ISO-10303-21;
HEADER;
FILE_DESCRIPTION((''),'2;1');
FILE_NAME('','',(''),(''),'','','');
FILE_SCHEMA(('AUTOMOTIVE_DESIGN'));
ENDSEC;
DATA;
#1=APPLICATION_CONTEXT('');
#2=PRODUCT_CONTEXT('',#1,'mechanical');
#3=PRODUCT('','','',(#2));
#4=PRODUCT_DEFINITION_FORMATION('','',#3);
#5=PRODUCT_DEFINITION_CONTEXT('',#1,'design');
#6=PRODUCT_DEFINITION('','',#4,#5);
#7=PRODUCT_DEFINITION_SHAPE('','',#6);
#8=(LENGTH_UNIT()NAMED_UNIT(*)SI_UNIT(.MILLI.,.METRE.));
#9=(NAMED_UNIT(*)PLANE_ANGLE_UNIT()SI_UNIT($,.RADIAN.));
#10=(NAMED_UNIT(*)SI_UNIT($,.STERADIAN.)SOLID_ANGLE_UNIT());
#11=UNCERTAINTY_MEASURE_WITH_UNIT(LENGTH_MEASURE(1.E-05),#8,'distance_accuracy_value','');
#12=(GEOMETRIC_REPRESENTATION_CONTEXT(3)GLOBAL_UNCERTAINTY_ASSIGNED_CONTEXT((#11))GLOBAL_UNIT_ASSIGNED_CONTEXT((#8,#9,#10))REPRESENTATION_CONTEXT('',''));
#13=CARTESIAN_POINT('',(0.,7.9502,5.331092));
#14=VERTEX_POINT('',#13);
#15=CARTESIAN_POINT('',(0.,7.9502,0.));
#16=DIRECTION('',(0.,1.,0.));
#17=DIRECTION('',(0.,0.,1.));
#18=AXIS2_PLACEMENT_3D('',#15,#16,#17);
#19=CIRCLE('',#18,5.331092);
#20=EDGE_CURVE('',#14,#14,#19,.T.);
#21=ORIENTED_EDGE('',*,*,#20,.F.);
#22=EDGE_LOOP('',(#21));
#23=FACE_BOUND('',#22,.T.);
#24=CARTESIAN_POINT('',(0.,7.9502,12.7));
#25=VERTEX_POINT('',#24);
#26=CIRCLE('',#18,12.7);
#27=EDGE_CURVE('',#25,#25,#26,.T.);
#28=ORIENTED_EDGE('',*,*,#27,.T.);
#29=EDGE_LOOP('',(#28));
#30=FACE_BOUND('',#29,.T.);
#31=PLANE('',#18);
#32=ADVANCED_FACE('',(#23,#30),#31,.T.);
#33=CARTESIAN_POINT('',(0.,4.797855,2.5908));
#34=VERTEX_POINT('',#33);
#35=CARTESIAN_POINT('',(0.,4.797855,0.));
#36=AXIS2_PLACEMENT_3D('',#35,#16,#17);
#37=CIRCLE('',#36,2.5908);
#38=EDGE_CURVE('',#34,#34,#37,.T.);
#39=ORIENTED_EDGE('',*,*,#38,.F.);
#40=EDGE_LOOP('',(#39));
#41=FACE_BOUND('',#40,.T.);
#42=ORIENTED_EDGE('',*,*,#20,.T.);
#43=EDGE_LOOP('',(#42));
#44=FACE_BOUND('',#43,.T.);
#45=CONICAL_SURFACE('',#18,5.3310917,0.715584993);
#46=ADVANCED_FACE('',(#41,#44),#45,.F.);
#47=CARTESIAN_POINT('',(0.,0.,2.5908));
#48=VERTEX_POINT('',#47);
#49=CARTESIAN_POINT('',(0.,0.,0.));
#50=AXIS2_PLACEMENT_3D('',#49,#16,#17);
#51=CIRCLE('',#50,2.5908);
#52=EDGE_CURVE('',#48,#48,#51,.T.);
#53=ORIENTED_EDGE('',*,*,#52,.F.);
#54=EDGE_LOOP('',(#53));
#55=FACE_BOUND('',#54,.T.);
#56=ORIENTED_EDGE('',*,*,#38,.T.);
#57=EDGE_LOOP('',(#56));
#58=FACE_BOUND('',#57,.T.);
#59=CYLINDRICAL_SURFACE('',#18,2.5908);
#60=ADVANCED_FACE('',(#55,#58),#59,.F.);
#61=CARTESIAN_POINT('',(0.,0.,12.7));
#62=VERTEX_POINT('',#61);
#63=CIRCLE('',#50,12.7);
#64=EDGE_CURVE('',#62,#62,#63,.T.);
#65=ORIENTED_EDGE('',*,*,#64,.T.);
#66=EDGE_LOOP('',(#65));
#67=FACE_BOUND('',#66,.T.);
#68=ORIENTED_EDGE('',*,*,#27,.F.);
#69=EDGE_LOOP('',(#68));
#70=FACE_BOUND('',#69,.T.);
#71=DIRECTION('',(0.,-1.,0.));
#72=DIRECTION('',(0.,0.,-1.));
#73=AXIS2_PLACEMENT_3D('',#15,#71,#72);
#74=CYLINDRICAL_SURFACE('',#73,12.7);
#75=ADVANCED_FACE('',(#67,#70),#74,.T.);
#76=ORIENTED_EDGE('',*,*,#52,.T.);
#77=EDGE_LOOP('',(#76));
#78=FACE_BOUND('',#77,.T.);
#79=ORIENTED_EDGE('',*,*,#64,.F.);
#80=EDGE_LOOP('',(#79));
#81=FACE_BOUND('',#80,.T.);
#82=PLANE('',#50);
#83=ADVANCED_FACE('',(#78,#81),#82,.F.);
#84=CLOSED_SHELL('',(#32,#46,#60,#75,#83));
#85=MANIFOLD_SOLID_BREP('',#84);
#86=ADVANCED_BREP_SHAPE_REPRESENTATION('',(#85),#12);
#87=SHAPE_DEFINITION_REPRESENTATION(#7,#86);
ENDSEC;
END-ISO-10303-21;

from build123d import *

# Parameters (mm, degrees)
SKETCH1_R                                          = 12.7
EXTRUDE1_DEPTH                                     = 7.9502
CSK_FOR_10_FLAT_HEAD_MACHINE_SCREW_100_D           = 5.1816
CSK_FOR_10_FLAT_HEAD_MACHINE_SCREW_100_CSINK_D     = 10.6621834
CSK_FOR_10_FLAT_HEAD_MACHINE_SCREW_100_CSINK_ANGLE = 82


with BuildPart() as part:
    # Sketch1 → Extrude1 (new body)
    with BuildSketch(Plane(origin=(0, 0, 0), x_dir=(1, 0, 0), z_dir=(0, 1, 0))):
        with Locations(Location((0, 0, 0), (0, 0, 270))):
            Circle(SKETCH1_R)
    extrude(amount=EXTRUDE1_DEPTH)

    # CSK for #10 Flat Head Machine Screw (100)1 (through all)
    with Locations(Plane(origin=(0, 7.9502, 0), x_dir=(-1, 0, 0), z_dir=(0, 1, 0))):
        with Locations((0, 0)):
            CounterSinkHole(CSK_FOR_10_FLAT_HEAD_MACHINE_SCREW_100_D / 2, CSK_FOR_10_FLAT_HEAD_MACHINE_SCREW_100_CSINK_D / 2, counter_sink_angle=CSK_FOR_10_FLAT_HEAD_MACHINE_SCREW_100_CSINK_ANGLE)


solid = part.part
